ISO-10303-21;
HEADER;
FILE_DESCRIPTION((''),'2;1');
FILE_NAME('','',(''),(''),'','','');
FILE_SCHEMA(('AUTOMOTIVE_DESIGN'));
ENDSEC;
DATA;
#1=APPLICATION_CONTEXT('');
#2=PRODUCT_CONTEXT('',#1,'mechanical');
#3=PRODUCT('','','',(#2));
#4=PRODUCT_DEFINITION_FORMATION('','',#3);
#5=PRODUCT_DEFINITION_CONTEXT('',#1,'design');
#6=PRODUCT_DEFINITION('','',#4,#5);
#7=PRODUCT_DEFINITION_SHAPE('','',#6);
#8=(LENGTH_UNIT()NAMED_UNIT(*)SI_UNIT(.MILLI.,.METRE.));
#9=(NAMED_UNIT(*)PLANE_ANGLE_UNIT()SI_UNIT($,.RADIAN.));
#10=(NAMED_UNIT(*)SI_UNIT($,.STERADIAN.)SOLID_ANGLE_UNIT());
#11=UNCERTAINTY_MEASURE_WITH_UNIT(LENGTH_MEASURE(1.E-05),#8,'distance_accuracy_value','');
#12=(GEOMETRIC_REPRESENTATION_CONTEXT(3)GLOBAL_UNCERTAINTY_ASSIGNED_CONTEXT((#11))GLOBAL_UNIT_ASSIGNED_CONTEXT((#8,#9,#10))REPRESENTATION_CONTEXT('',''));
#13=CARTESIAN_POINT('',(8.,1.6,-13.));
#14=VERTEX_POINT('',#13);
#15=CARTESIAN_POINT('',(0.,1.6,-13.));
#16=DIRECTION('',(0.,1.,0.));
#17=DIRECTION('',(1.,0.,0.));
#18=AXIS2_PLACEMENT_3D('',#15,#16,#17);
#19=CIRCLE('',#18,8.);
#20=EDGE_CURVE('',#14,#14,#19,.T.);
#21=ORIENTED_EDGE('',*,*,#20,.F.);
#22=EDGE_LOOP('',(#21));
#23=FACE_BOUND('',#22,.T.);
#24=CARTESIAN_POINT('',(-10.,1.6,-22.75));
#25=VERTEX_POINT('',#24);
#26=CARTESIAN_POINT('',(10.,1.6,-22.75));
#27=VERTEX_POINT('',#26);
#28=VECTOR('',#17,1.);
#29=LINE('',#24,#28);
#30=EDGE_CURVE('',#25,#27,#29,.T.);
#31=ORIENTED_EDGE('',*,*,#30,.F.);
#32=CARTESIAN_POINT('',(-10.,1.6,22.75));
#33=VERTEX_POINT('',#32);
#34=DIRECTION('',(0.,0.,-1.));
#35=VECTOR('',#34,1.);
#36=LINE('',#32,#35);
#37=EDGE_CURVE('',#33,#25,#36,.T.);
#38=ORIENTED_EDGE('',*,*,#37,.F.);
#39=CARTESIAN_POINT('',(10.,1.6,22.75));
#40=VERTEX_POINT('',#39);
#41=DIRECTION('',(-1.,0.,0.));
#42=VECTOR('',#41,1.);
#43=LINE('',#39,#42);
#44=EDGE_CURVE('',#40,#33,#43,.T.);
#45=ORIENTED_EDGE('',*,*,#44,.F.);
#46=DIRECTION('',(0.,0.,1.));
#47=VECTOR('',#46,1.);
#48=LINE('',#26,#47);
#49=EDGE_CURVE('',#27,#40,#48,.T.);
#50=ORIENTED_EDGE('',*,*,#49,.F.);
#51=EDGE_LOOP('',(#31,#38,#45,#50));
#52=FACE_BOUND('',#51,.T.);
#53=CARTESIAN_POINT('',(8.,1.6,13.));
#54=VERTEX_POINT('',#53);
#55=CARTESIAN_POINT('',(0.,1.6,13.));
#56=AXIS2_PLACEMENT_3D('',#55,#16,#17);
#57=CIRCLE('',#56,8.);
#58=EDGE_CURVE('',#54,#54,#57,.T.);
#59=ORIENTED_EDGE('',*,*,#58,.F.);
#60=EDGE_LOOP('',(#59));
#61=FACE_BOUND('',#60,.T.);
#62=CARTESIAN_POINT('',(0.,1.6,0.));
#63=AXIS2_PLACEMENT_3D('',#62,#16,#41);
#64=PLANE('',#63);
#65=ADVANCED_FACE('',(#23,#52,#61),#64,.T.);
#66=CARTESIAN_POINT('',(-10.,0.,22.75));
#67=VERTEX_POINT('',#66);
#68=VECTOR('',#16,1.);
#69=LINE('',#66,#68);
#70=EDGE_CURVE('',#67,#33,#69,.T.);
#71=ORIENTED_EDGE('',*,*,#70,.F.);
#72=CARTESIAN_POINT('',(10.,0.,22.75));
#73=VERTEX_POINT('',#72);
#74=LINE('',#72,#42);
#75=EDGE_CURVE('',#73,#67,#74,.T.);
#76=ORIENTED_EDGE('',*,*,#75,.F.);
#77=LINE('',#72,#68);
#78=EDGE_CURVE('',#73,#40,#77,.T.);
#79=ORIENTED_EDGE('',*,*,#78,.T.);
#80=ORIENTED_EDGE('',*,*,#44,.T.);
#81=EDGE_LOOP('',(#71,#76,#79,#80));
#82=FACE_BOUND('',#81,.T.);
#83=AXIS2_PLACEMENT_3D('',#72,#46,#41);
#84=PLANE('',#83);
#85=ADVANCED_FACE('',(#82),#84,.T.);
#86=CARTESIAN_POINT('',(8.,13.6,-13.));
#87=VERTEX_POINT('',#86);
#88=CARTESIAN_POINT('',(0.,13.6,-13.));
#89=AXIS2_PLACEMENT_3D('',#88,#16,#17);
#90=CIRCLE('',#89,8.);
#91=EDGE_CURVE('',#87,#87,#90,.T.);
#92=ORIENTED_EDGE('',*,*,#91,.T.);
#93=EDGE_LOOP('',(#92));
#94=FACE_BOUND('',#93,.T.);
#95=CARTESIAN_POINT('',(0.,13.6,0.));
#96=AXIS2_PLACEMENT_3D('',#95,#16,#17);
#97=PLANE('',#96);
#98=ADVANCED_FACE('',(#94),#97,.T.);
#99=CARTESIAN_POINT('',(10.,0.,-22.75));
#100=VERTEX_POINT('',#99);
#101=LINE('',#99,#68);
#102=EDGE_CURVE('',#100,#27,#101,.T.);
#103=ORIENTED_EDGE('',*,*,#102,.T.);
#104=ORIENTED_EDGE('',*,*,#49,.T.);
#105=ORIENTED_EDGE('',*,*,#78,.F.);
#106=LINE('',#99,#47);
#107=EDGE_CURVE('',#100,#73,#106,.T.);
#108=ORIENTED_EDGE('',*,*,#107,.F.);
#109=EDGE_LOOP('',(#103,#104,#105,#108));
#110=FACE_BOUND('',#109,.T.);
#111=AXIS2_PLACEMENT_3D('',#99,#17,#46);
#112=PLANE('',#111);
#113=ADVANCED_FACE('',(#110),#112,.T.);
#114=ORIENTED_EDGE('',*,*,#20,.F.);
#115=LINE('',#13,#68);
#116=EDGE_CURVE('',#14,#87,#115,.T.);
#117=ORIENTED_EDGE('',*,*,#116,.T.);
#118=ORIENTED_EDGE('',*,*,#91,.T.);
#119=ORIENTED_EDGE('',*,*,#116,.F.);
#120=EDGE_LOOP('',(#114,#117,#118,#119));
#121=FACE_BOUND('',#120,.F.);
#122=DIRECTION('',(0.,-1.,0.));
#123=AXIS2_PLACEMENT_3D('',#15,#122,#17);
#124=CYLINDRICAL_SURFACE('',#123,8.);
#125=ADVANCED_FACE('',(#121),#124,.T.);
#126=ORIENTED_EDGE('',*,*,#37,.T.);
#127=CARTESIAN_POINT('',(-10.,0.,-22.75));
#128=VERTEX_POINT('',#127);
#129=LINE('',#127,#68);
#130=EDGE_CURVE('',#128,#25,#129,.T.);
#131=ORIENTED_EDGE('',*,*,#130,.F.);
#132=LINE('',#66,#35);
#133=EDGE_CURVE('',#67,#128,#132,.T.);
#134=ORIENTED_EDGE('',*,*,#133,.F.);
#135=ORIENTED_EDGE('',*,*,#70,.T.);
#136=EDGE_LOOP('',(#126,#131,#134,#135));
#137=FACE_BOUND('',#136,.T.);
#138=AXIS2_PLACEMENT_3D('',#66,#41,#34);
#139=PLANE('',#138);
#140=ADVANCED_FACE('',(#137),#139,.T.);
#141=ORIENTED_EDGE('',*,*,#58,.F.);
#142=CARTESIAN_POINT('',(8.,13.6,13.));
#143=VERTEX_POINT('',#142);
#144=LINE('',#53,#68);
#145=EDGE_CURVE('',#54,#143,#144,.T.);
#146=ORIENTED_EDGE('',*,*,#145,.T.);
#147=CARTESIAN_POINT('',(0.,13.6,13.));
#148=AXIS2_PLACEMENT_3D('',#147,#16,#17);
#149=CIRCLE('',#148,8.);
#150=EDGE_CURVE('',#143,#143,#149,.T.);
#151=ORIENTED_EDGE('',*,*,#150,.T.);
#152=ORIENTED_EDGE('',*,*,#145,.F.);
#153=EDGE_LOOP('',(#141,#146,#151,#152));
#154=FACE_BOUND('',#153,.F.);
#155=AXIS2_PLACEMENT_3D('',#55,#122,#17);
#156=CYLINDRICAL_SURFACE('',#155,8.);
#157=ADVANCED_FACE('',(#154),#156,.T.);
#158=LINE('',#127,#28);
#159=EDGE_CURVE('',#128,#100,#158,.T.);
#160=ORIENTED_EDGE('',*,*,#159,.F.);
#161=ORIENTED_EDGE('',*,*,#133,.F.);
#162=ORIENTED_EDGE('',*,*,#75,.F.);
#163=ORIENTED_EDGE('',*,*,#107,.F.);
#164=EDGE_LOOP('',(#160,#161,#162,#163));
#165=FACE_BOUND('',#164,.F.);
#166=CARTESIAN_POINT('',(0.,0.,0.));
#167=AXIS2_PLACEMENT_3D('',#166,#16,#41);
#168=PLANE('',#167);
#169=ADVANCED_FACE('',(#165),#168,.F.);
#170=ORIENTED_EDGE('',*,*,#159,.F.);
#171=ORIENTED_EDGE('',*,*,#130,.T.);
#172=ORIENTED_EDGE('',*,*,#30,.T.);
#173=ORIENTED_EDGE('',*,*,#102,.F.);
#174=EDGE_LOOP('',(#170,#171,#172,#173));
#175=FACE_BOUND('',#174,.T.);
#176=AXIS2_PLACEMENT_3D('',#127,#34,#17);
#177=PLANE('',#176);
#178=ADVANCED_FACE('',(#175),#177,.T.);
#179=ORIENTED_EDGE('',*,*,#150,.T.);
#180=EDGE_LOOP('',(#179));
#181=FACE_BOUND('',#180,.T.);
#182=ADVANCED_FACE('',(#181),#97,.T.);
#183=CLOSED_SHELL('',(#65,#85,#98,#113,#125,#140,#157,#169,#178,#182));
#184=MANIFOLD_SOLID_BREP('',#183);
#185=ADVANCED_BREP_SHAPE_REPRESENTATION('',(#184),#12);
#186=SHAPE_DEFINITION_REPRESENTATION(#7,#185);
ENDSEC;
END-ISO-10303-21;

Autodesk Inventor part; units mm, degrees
ref_plane "YZ Plane" through (0, 0, 0) normal (1, 0, 0) x (0, 1, 0)
ref_plane "XZ Plane" through (0, 0, 0) normal (0, 1, 0) x (-1, 0, 0)
ref_plane "XY Plane" through (0, 0, 0) normal (0, 0, 1) x (1, 0, 0)
sketch "Sketch1" plane through (0, 0, 0) normal (0, 1, 0) x (-1, 0, 0)
  line L0 (-10, 22.75) -> (10, 22.75)
  line L1 (10, 22.75) -> (10, -22.75)
  line L2 (10, -22.75) -> (-10, -22.75)
  line L3 (-10, -22.75) -> (-10, 22.75)
  line L4 (-10, 22.75) -> (10, -22.75) construction
  line L5 (10, 22.75) -> (-10, -22.75) construction
  point P0 (0, 0)
  dimension "d0" = 20
  dimension "d1" = 45.5
extrude "Extrusion1" add sketch "Sketch1" along normal blind 1.6
sketch "Sketch2" plane through (0, 1.6, 0) normal (0, 1, 0) x (1, 0, 0)
  line L0 (0, 0) -> (0, 21) construction
  line L1 (0, 21) -> (0, 13) construction
  circle A0 centre (0, 13) radius 8
  line L2 (0, 0) -> (0, -13) construction
  circle A1 centre (0, -13) radius 8
  dimension "d4" = 21
  dimension "d5" = 8
  dimension "d6" = 16
  dimension "d7" = 13
  dimension "d8" = 16
extrude "Extrusion2" add sketch "Sketch2" along normal blind 12
properties part number "Sonar"
